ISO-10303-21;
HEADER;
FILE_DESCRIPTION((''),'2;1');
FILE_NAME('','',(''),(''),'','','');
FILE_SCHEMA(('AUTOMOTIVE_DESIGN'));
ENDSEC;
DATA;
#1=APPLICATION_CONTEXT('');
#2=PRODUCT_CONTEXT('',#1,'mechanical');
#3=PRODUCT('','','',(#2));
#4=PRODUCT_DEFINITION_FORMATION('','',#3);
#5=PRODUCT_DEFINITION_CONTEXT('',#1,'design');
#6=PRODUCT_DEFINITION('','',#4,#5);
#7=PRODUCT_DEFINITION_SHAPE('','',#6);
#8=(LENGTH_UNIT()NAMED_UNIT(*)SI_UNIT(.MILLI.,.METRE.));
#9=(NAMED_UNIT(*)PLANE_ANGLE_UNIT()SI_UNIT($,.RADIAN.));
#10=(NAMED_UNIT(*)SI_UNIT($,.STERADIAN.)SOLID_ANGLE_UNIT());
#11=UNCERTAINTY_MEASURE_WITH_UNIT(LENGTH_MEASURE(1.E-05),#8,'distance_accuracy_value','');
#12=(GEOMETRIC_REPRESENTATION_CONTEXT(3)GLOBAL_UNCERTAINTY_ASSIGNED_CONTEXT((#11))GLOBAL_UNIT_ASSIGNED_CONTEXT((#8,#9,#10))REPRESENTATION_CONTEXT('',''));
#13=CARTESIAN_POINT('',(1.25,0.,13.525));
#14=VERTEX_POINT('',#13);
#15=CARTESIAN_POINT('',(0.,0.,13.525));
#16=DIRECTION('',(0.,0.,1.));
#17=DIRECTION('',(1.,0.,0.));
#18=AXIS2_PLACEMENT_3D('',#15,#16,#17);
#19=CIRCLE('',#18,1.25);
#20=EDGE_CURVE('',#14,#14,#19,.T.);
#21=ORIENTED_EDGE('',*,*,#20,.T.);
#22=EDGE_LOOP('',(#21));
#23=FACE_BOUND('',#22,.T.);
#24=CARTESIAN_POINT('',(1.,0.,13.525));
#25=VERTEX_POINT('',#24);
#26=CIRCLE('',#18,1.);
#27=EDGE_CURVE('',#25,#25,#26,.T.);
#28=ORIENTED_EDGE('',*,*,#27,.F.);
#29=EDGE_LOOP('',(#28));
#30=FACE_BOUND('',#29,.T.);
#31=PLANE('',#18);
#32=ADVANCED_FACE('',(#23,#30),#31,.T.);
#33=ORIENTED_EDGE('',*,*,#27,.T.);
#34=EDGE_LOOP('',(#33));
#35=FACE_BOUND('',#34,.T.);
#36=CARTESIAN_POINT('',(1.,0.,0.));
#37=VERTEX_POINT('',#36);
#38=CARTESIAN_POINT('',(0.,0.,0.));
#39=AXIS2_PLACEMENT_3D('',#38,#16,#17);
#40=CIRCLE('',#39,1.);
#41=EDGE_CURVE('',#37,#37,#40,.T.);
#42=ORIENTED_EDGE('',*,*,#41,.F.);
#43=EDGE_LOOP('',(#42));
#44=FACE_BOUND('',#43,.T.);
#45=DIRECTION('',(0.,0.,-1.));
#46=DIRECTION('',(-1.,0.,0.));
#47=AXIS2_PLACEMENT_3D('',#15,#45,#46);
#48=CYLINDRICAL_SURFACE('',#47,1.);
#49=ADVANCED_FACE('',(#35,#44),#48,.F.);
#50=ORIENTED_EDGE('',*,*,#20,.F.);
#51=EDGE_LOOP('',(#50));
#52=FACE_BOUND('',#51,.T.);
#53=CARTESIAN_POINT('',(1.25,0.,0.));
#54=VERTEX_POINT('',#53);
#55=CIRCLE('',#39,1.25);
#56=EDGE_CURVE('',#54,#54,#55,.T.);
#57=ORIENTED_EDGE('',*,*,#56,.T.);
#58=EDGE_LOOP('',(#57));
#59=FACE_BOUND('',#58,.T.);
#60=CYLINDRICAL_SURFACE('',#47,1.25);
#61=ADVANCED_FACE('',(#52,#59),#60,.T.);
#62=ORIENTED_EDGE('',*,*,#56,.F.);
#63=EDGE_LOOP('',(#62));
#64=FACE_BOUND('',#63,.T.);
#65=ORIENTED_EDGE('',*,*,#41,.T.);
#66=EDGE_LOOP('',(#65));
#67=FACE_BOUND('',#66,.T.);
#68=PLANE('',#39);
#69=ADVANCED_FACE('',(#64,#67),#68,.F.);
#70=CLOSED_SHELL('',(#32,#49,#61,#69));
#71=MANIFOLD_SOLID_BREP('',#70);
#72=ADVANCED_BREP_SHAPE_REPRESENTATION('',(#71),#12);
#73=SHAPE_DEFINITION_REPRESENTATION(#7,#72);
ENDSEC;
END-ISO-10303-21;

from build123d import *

# Parameters (mm, degrees)
SKETCH1_R           = 1.25
SKETCH1_R_2         = 1
BOSS_EXTRUDE1_DEPTH = 13.525


with BuildPart() as part:
    # Sketch1 → Boss-Extrude1 (new body)
    with BuildSketch(Plane.XY):
        Circle(SKETCH1_R)
        Circle(SKETCH1_R_2, mode=Mode.SUBTRACT)
    extrude(amount=BOSS_EXTRUDE1_DEPTH)


solid = part.part
